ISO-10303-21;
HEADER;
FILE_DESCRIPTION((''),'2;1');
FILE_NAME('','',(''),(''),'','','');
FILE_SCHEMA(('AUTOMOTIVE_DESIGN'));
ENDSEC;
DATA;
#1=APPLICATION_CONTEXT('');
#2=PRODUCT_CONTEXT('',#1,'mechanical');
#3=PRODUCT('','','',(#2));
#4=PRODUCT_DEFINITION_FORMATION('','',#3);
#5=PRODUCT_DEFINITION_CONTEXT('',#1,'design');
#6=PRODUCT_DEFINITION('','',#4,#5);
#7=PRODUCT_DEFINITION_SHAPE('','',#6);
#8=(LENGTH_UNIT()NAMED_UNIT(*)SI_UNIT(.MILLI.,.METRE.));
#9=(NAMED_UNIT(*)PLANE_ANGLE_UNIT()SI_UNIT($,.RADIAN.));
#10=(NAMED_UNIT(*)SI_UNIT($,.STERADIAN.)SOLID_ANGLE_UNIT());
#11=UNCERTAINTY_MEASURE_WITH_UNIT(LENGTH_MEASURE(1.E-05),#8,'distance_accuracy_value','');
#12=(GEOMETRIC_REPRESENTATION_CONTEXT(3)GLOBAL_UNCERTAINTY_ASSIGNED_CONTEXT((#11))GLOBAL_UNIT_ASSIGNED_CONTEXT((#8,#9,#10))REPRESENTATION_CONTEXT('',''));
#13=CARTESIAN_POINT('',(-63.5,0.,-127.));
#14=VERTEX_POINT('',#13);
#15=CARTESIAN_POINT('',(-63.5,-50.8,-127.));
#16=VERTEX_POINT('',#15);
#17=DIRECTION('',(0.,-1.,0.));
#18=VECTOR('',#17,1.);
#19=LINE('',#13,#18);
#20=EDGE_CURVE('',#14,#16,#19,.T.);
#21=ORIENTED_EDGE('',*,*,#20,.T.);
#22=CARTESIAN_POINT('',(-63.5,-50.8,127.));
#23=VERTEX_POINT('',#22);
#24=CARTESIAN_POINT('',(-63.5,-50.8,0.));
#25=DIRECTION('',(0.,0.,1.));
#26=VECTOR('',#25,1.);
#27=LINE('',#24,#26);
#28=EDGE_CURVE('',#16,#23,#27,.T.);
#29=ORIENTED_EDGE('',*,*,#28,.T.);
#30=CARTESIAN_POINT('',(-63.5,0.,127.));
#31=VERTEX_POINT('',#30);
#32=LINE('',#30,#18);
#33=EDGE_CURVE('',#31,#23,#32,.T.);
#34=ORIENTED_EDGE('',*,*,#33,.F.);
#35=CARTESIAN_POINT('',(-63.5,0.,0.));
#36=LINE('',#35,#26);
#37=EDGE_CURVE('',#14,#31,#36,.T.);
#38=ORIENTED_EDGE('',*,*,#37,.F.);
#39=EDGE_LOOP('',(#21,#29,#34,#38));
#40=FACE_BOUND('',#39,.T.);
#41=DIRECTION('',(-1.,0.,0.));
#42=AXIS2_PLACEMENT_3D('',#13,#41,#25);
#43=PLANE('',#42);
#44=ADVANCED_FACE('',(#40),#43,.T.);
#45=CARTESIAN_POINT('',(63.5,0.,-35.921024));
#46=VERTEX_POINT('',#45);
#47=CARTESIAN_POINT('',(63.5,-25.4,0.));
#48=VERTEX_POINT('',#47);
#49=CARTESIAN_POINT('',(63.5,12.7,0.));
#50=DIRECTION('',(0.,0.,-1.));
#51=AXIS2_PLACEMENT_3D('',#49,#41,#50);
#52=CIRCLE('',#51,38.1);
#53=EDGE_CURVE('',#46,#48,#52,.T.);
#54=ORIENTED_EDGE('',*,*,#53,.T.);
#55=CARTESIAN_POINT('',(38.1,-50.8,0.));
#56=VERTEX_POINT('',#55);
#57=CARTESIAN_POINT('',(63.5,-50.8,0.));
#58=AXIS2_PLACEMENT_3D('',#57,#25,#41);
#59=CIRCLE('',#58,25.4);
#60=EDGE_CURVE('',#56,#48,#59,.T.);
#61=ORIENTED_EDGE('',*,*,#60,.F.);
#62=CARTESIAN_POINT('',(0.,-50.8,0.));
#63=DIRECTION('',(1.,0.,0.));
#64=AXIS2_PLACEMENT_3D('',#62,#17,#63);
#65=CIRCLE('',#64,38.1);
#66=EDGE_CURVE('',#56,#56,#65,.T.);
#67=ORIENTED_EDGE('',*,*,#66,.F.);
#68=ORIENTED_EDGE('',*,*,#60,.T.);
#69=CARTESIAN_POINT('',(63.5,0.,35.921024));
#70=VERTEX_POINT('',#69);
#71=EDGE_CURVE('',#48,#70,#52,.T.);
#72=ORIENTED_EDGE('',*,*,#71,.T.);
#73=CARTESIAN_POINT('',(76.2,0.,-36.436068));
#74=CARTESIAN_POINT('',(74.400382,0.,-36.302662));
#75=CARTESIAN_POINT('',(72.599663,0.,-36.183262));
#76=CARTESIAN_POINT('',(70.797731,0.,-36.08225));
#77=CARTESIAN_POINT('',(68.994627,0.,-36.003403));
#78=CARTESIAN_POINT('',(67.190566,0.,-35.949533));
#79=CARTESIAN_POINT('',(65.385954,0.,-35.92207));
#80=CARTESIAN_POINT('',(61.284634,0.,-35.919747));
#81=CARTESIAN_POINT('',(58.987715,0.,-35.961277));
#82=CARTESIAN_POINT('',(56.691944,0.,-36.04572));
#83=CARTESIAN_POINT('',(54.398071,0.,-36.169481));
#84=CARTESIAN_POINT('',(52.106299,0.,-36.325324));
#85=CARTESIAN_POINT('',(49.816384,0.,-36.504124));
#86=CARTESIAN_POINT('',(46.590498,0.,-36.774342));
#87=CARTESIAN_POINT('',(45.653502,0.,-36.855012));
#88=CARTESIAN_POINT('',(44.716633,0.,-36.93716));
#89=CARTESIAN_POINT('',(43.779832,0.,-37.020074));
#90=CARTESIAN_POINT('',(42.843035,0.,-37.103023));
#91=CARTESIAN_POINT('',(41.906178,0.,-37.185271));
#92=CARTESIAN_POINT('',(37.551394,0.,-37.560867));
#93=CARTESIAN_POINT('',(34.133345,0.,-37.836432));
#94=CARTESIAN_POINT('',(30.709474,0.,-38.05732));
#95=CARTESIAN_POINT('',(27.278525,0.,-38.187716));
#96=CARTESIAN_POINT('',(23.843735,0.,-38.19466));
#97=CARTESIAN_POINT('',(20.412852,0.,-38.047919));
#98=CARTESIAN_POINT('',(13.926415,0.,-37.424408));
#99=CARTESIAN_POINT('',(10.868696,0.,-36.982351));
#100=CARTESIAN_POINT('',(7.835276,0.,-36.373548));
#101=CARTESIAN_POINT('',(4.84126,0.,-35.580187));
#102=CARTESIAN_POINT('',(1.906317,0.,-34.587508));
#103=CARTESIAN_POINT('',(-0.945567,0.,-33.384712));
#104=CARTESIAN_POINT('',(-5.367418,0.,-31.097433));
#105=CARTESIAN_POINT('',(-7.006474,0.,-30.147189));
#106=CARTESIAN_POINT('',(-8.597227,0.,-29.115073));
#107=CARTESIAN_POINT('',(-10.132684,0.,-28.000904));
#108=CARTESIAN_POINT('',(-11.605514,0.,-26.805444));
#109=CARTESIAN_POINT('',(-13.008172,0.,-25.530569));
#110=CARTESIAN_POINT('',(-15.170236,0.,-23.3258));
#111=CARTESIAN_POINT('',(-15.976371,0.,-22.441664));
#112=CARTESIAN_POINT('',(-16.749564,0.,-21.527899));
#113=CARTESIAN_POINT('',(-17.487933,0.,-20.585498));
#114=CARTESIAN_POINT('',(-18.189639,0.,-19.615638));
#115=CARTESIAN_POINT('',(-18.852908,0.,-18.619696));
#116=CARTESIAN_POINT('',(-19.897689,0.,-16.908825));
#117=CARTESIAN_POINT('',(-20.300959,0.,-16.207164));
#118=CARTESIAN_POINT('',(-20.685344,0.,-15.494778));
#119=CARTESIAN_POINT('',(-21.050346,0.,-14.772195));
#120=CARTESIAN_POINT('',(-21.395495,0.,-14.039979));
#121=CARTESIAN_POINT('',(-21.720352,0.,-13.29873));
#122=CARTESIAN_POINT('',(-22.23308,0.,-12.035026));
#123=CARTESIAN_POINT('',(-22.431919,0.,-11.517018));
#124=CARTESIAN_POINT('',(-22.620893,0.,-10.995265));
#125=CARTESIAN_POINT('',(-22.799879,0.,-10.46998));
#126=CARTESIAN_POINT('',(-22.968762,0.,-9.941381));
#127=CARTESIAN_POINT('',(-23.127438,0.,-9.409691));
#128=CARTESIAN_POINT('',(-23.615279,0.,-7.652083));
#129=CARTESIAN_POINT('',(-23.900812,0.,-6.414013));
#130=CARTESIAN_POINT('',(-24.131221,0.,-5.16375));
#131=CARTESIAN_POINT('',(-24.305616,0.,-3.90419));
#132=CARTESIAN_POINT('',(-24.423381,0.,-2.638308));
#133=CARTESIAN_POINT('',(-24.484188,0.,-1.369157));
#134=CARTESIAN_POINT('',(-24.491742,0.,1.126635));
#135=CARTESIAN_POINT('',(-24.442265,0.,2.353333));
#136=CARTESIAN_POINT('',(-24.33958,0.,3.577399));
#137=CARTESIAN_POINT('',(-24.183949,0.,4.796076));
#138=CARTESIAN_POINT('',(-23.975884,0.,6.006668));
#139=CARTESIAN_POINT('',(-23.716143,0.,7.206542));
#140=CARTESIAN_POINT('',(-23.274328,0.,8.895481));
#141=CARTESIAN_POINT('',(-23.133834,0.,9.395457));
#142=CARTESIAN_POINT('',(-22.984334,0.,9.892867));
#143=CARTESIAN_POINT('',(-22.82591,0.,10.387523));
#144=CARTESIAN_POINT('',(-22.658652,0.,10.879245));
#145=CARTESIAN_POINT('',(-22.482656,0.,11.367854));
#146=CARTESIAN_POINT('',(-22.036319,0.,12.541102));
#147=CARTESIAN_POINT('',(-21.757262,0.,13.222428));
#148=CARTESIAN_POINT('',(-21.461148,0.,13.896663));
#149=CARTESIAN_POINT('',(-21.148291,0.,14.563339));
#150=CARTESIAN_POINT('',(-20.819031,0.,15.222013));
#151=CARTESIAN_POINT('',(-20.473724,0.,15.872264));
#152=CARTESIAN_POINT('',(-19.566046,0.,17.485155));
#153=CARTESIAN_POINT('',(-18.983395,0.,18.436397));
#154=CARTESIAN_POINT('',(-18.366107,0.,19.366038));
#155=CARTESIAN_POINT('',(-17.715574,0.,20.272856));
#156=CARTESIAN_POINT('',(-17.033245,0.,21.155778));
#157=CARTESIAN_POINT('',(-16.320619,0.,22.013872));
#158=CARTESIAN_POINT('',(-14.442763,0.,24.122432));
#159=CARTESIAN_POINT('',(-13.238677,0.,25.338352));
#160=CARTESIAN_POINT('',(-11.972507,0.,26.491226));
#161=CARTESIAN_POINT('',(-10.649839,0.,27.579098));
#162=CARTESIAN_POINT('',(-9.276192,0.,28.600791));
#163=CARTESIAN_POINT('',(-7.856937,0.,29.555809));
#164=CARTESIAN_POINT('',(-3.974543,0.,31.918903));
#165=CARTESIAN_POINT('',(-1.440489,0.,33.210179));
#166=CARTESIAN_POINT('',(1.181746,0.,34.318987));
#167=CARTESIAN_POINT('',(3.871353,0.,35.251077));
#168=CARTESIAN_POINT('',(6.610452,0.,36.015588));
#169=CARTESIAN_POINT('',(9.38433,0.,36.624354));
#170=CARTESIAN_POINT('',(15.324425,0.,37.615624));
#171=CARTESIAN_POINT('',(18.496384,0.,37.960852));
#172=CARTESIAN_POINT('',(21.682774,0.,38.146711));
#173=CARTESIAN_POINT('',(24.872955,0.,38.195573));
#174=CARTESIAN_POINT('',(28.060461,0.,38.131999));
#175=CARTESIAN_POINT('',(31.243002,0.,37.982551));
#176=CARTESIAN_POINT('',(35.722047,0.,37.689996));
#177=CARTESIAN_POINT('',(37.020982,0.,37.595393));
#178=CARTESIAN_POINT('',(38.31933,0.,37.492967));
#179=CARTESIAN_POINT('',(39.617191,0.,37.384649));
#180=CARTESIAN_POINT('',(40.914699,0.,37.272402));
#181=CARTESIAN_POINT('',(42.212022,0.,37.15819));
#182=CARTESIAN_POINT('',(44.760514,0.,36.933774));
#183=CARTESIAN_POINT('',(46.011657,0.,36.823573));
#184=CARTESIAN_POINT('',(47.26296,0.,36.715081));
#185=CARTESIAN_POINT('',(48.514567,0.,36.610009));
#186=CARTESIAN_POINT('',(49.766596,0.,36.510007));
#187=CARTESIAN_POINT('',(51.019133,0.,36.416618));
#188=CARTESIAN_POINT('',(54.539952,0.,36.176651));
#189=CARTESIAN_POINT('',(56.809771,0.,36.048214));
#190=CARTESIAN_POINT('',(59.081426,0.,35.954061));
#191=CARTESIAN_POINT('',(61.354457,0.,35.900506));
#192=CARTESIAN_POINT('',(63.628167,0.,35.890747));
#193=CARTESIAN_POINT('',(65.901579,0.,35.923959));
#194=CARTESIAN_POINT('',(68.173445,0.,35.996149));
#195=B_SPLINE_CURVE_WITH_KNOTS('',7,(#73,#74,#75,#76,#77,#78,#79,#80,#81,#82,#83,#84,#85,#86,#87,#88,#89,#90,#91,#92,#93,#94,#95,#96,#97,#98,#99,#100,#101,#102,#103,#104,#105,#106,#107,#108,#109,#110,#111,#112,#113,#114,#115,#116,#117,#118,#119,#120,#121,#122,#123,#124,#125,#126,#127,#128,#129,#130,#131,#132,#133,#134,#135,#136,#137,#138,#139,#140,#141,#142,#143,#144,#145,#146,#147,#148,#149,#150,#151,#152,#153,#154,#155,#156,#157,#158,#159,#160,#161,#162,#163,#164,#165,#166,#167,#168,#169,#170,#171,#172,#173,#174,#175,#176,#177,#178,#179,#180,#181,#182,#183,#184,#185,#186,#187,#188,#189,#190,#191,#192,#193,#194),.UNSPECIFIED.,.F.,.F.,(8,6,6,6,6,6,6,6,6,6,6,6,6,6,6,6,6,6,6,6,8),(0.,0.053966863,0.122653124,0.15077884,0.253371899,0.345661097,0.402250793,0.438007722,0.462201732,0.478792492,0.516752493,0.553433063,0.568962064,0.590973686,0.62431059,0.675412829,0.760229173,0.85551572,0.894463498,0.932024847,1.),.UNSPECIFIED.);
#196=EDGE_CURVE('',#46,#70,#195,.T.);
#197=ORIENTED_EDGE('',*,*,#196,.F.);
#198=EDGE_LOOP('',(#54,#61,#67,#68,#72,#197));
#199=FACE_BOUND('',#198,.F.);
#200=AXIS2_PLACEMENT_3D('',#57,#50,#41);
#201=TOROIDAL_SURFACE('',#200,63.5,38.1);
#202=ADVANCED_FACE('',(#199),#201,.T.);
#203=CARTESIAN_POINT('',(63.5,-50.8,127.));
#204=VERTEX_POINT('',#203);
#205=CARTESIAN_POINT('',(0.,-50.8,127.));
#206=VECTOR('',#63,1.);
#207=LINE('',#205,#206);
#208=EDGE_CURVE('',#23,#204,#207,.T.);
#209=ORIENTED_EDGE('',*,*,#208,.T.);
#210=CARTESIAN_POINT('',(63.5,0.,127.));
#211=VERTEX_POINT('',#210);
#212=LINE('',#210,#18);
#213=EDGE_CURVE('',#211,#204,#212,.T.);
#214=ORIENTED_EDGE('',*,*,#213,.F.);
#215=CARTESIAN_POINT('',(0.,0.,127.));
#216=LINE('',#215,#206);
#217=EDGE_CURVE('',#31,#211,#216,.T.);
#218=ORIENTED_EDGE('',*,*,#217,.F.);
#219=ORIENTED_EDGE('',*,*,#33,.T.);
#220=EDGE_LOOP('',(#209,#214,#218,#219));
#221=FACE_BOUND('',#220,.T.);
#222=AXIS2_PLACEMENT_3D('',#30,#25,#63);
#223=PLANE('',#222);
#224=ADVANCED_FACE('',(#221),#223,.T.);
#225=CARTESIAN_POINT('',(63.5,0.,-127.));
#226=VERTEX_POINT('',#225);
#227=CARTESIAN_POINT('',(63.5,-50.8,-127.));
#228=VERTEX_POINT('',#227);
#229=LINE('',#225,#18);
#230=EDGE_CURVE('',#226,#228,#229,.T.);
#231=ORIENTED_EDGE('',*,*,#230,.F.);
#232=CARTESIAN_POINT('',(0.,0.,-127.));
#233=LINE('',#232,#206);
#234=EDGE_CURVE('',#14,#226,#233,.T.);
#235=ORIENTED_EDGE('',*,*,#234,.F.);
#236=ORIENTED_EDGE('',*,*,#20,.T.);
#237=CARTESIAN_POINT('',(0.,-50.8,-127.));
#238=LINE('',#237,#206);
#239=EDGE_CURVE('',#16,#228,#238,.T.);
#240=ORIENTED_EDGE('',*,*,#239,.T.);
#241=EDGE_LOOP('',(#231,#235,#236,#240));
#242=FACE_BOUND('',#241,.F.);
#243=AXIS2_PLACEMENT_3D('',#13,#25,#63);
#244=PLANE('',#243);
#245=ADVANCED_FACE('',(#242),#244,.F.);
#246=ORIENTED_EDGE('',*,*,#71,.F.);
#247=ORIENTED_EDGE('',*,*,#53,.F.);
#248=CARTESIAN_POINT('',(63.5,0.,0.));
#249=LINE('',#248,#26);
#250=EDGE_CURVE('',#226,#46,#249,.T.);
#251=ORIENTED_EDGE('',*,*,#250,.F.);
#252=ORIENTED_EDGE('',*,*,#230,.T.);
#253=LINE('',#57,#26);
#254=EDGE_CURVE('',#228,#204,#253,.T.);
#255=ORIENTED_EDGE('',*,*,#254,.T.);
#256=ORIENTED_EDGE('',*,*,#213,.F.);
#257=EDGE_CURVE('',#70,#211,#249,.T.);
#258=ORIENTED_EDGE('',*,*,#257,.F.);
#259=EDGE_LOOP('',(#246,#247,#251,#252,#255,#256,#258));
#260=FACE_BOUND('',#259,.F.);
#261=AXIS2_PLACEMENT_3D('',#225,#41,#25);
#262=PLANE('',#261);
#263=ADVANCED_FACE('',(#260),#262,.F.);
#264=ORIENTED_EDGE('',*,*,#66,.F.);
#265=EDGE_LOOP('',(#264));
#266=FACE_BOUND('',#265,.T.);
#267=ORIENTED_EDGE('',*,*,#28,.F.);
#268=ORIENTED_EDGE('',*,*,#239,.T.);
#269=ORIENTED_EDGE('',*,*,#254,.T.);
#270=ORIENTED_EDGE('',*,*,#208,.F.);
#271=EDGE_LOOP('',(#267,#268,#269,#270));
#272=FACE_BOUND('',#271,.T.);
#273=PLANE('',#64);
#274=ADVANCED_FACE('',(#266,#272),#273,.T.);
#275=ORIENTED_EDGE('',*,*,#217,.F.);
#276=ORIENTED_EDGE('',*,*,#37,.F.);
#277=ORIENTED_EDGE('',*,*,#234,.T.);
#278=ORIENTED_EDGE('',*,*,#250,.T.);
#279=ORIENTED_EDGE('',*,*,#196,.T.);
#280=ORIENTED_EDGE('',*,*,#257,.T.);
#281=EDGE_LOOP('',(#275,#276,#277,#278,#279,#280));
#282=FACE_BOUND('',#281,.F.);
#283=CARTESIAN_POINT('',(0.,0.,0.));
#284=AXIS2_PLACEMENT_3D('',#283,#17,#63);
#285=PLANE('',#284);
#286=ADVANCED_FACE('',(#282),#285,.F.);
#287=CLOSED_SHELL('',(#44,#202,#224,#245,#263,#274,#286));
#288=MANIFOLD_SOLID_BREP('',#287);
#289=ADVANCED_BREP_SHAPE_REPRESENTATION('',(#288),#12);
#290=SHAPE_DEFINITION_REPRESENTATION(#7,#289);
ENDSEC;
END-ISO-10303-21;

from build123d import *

# Parameters (mm, degrees)
F0_W     = 127
F0_H     = 254
F1_DEPTH = 50.8
F2_R     = 38.1


with BuildPart() as f1:
    # F0 (on Front) → F1 (new body)
    with BuildSketch(Plane.XZ):
        Rectangle(F0_W, F0_H)
    extrude(amount=F1_DEPTH)

    # F2 (on face) → F3 (revolve)
    with BuildSketch(Plane.XZ.offset(50.8)):
        Circle(F2_R)
    revolve(axis=Axis((63.5, -50.8, 0), (0, 0, 1)))


solid = f1.part
